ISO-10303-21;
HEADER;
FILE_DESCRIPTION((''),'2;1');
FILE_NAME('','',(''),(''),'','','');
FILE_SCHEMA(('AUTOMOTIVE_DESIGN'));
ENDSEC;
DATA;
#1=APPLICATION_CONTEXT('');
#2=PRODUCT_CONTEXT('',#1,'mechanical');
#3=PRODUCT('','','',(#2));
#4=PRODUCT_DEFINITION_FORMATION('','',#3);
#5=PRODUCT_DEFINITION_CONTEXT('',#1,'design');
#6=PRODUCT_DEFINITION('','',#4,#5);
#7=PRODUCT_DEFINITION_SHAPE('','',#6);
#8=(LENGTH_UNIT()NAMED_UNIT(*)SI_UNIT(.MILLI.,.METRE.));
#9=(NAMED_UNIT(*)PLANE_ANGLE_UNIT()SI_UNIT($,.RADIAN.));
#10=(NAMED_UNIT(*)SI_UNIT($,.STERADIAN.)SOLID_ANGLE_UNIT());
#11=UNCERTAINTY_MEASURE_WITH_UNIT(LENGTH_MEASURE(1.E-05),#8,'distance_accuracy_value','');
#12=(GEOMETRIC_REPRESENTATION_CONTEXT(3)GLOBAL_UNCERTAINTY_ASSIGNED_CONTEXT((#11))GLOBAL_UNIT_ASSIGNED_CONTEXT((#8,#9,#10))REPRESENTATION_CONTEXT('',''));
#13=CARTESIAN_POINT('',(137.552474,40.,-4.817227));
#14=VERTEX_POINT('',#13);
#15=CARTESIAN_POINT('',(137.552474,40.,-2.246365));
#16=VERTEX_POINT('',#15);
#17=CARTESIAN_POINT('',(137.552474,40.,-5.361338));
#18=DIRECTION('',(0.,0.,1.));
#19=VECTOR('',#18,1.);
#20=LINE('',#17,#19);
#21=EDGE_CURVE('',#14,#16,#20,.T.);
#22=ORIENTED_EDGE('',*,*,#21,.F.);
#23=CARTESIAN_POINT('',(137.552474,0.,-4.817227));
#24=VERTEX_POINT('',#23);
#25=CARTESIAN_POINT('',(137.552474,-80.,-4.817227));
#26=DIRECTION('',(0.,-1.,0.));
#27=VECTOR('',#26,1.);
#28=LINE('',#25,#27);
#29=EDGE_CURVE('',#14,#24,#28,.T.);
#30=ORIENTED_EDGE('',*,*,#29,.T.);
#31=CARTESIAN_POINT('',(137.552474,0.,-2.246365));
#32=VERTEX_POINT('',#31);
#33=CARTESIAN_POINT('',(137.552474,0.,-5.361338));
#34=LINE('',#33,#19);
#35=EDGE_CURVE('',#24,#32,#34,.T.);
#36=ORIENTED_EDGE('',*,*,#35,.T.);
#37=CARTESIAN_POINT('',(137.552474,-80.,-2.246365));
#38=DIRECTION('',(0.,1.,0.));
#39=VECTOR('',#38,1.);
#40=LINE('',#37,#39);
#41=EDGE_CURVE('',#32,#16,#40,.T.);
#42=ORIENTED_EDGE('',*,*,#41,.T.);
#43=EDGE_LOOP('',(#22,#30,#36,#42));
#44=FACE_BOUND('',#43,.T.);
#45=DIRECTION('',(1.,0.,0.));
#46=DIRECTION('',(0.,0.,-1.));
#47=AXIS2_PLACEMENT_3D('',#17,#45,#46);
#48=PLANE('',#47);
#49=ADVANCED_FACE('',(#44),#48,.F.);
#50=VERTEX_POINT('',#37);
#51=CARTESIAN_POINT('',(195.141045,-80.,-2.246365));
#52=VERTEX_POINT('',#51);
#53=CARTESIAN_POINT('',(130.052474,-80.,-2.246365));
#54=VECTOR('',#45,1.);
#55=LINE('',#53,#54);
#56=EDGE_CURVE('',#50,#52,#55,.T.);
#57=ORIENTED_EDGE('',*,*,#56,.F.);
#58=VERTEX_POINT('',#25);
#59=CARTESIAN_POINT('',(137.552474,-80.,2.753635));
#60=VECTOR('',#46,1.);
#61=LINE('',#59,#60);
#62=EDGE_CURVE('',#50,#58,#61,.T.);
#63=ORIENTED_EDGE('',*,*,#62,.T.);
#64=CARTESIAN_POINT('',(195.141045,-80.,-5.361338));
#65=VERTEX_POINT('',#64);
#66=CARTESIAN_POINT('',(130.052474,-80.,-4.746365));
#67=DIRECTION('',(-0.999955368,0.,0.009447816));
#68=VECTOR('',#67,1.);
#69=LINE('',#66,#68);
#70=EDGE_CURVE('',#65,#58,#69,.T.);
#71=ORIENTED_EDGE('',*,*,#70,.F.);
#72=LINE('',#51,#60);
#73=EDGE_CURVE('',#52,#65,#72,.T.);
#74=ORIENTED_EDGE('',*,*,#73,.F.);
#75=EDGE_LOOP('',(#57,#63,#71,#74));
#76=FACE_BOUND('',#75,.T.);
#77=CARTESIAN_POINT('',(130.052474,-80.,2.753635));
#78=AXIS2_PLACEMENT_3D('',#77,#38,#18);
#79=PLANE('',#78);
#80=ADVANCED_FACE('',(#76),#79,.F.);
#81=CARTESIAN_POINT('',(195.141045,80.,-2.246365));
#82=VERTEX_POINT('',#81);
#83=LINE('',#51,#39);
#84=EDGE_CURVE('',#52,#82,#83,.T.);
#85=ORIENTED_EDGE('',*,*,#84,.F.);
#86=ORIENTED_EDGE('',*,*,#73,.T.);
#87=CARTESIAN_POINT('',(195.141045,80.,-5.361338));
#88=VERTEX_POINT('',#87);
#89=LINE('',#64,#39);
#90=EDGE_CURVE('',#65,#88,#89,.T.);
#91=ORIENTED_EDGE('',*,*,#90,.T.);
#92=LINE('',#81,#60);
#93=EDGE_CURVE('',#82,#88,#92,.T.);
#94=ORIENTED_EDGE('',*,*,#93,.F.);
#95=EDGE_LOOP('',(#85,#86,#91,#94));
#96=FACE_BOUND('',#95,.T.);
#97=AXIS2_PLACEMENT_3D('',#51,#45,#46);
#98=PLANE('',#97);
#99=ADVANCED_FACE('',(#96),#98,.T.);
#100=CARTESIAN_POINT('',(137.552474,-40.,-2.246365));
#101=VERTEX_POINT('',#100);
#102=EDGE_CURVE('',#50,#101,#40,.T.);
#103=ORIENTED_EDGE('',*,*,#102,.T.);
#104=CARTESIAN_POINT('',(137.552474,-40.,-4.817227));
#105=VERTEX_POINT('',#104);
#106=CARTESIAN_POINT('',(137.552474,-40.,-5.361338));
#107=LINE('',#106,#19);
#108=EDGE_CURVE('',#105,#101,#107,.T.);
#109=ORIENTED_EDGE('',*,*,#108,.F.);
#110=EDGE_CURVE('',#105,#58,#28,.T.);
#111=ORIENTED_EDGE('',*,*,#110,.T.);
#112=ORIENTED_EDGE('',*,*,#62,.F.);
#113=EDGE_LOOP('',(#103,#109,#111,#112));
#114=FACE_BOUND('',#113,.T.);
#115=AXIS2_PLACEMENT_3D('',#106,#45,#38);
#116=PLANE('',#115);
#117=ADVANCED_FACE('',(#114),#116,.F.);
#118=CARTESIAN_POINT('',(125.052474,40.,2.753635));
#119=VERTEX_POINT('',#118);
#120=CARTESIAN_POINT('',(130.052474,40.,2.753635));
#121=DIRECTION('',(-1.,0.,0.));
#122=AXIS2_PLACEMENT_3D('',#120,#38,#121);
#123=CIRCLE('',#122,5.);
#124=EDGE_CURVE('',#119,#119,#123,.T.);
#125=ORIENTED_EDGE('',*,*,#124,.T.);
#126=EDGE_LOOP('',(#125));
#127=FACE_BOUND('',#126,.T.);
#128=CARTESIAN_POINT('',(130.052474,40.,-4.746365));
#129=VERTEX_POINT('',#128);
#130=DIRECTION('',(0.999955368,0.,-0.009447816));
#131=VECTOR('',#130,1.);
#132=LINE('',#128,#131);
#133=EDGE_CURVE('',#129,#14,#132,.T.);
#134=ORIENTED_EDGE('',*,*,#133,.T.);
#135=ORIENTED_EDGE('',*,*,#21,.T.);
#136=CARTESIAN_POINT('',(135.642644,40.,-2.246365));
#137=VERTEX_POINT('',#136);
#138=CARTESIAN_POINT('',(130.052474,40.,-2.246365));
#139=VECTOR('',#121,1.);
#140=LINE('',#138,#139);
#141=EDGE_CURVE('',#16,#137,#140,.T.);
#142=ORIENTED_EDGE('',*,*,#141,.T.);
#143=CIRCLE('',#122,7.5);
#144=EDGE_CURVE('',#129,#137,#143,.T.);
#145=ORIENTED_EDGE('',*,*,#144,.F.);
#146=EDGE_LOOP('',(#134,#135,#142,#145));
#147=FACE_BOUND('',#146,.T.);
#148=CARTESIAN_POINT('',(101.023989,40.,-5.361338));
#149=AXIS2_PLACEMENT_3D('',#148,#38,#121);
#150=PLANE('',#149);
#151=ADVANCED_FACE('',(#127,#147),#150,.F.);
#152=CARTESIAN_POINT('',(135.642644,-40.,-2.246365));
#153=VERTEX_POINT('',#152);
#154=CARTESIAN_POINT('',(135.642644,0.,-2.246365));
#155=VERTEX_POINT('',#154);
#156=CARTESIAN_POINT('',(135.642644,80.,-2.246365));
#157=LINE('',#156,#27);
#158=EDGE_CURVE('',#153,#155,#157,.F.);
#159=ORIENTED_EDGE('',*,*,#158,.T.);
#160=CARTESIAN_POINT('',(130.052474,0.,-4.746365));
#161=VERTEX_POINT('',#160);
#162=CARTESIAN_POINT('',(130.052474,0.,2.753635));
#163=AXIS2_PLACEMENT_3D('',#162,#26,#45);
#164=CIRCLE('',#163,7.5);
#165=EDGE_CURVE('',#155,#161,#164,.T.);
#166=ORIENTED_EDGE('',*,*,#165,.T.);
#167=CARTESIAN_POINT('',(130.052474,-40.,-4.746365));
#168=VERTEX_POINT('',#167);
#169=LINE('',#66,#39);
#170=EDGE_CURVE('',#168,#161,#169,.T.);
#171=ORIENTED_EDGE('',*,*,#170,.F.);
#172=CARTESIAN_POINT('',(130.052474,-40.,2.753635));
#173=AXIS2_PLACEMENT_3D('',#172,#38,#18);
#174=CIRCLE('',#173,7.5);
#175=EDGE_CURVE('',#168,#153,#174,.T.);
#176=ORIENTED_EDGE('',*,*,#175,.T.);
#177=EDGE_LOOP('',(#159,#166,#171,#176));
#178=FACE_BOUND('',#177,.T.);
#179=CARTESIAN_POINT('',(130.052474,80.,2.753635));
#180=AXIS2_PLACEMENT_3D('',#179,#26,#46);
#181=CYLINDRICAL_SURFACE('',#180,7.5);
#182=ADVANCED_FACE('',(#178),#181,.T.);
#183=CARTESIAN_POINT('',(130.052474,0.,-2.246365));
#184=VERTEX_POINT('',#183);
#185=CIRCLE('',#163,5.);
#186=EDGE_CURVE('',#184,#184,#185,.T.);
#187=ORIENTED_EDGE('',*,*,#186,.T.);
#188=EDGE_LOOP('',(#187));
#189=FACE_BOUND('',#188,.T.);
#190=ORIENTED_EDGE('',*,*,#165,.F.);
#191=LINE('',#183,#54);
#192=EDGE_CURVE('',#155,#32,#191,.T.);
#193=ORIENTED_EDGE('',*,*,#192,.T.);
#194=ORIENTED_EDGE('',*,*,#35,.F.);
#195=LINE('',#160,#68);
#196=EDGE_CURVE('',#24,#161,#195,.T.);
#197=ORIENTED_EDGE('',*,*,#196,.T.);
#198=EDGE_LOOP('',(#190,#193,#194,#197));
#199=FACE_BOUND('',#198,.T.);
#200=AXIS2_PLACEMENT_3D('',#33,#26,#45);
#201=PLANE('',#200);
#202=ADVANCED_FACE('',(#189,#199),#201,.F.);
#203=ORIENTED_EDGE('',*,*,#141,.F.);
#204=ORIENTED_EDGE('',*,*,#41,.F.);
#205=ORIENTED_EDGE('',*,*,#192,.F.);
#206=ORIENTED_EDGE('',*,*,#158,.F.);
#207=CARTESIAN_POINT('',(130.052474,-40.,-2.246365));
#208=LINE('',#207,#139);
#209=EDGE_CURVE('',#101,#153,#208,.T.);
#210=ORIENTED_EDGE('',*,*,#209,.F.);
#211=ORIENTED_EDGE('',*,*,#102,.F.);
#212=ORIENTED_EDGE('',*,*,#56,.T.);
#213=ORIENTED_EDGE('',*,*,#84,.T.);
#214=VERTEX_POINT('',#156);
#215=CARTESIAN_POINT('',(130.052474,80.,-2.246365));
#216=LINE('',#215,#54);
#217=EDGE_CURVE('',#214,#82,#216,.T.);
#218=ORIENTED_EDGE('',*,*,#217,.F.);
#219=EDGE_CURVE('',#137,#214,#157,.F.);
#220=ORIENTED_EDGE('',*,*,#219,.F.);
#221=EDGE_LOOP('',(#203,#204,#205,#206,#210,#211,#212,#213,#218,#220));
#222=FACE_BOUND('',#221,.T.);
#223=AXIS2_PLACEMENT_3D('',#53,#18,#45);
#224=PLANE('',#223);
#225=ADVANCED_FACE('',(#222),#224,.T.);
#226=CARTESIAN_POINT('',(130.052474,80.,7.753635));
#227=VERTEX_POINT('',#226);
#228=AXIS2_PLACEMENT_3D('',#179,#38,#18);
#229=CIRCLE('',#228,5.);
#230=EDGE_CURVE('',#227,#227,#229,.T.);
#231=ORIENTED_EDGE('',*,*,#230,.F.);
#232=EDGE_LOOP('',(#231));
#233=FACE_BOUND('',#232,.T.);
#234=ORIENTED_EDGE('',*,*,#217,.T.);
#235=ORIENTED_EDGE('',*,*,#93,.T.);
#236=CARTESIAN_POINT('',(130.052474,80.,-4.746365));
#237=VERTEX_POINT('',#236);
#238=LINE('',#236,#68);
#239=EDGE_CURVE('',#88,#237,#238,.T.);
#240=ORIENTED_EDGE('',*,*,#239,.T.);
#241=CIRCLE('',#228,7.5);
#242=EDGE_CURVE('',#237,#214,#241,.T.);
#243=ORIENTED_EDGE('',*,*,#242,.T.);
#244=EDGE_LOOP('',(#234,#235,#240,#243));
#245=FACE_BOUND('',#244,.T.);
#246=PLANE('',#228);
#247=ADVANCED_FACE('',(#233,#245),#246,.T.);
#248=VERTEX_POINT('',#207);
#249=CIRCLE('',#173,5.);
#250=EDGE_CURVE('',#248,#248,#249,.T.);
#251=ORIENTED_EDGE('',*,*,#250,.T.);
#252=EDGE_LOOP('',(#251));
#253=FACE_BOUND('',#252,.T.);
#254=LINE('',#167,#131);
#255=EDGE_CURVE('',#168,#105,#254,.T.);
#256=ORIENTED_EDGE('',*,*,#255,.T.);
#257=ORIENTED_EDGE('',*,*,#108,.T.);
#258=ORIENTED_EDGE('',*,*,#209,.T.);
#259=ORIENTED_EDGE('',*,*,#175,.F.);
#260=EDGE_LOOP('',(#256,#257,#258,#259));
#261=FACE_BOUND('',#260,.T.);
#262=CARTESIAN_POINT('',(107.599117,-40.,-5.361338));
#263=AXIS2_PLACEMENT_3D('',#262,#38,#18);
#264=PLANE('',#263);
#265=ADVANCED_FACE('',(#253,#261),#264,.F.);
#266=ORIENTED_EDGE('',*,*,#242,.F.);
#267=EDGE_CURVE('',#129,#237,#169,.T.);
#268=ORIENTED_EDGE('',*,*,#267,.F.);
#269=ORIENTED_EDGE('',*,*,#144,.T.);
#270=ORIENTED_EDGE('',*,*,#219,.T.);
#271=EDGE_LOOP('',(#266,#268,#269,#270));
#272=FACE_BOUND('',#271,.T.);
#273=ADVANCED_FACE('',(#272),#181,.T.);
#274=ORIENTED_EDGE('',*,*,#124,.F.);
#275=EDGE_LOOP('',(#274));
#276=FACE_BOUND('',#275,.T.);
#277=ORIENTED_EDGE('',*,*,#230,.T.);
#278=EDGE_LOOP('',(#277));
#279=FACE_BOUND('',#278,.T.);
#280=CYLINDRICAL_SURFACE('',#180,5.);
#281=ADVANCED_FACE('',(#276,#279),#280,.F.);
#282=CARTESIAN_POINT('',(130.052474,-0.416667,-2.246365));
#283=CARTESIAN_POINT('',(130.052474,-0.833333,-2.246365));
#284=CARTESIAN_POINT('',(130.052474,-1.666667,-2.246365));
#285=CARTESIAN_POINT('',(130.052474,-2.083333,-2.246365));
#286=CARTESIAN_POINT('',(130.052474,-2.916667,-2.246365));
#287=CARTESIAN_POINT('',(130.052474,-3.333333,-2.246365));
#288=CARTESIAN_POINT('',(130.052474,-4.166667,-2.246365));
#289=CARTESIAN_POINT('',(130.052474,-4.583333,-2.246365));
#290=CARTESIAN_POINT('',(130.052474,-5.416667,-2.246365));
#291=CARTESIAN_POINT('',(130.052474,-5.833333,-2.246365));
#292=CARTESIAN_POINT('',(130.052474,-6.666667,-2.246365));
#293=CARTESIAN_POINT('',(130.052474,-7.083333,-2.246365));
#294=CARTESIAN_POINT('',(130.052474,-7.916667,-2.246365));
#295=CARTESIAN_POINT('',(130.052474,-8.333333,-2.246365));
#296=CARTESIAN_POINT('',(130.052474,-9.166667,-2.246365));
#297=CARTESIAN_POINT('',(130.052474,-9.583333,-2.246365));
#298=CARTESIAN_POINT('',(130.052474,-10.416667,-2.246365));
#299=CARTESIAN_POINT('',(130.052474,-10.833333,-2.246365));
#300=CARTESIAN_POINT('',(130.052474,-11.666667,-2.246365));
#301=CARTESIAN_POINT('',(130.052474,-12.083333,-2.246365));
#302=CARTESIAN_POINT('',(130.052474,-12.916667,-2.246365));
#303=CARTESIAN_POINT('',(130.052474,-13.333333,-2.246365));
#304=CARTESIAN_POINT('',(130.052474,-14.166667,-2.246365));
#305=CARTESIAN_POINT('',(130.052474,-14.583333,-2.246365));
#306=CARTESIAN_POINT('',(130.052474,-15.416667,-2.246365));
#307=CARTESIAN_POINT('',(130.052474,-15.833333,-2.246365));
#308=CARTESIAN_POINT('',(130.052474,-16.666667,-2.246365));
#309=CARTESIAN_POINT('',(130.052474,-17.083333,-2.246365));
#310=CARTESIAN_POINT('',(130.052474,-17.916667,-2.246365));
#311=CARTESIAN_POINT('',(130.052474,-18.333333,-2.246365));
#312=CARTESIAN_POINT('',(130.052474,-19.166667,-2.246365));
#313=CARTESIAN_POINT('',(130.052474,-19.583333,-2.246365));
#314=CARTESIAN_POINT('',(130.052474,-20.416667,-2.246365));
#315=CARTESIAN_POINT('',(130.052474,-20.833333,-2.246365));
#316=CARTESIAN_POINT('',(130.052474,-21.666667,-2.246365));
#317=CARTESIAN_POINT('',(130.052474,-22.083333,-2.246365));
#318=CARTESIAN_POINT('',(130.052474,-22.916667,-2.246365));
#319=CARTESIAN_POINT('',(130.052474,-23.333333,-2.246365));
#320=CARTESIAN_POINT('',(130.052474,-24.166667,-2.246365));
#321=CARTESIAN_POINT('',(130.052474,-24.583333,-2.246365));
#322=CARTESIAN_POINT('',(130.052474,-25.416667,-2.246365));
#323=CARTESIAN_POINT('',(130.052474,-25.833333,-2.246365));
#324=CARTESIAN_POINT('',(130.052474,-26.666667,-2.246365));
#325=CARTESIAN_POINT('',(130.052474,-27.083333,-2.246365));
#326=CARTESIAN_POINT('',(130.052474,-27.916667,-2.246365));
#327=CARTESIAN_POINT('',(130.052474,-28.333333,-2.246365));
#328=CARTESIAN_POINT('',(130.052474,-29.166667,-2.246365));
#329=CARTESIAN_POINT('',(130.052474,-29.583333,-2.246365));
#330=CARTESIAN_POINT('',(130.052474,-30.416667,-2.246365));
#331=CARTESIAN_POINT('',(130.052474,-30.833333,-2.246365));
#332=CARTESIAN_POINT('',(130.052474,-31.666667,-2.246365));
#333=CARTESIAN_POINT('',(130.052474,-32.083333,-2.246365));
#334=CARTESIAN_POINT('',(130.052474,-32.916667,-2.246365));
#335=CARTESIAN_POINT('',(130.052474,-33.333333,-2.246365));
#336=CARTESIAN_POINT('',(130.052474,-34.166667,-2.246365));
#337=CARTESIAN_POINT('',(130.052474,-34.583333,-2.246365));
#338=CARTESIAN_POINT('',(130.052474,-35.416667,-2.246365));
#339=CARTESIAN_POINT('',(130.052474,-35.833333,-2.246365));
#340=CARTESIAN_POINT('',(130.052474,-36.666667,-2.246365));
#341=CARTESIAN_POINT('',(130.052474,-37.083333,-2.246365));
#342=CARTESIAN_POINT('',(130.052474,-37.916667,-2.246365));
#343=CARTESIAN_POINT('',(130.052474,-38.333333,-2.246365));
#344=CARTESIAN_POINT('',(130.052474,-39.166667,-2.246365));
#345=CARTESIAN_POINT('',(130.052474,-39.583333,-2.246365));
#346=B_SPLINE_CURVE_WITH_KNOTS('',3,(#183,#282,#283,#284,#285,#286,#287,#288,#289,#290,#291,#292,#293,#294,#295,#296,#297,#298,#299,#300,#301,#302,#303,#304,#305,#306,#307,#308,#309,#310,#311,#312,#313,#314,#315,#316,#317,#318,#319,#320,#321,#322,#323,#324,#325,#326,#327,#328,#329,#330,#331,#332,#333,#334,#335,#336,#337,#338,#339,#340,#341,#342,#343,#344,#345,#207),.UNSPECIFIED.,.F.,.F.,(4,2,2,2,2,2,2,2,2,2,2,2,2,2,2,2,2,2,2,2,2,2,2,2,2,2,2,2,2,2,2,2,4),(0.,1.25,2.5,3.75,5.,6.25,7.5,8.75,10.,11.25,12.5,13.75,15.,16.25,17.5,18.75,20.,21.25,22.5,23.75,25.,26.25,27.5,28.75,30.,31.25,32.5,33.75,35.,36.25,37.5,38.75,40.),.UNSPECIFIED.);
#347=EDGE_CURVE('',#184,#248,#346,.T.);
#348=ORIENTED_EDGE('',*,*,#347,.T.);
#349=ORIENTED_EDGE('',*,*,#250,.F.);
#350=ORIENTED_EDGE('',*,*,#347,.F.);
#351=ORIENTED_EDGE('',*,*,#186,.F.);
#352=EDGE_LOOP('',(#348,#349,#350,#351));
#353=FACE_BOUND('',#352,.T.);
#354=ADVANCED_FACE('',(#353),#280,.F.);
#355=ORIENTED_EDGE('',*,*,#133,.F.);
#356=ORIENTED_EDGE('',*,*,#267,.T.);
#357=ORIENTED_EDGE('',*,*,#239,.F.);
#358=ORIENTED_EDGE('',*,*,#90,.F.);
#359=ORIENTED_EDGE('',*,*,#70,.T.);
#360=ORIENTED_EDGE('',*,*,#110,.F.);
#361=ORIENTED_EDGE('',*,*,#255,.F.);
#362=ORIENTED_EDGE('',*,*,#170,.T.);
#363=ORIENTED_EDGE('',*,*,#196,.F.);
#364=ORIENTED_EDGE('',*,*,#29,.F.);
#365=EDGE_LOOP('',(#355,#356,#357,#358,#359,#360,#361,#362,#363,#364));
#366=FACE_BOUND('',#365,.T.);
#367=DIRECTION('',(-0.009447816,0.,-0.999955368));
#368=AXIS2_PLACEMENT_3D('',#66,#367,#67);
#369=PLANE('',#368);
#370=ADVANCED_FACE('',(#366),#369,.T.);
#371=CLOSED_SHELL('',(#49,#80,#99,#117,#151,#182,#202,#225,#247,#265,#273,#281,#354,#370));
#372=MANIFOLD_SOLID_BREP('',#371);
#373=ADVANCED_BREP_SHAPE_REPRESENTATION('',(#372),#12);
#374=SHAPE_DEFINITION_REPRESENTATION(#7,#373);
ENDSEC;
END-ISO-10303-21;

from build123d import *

# Parameters (mm, degrees)
SKETCH1_R               = 7.5
SKETCH1_R_2             = 5
BOSS_EXTRUDE1_DEPTH     = 80
BOSS_EXTRUDE2_DEPTH     = 160
CUT_EXTRUDE1_DEPTH      = 212.272992998
CUT_EXTRUDE1_DEPTH_BACK = 212.272992998


with BuildPart() as part:
    # Sketch1 → Boss-Extrude1 (new, symmetric)
    with BuildSketch(Plane(origin=(0, 0, 0), x_dir=(1, 0, 0), z_dir=(0, 1, 0))):
        with Locations(Location((130.052474297, -2.753634589, 0), (0, 0, 270))):
            Circle(SKETCH1_R)
        with Locations(Location((130.052474297, -2.753634589, 0), (0, 0, 270))):
            Circle(SKETCH1_R_2, mode=Mode.SUBTRACT)
    extrude(amount=BOSS_EXTRUDE1_DEPTH, both=True)

    # Sketch2 → Boss-Extrude2 (add)
    with BuildSketch(Plane(origin=(0, 80, 0), x_dir=(1, 0, 0), z_dir=(0, 1, 0))):
        Polygon((130.052474297, 4.746365411), (195.141045325, 5.361337723), (195.141045325, 2.246365411), (130.052474297, 2.246365411), align=None)
    extrude(amount=-BOSS_EXTRUDE2_DEPTH)

    # Sketch3 → Cut-Extrude1 (cut, two sides: drawn at the far end of the back side and taken through both)
    with BuildSketch(Plane.XY.offset(-2.246365411).offset(-CUT_EXTRUDE1_DEPTH_BACK)):
        Polygon((101.023989242, 40), (137.552474297, 40), (137.552474297, 0), (107.599116552, 0), (107.599116552, -40), (137.552474297, -40), (137.552474297, -90), (101.023989242, -90), align=None)
    extrude(amount=CUT_EXTRUDE1_DEPTH + CUT_EXTRUDE1_DEPTH_BACK, mode=Mode.SUBTRACT)


solid = part.part
